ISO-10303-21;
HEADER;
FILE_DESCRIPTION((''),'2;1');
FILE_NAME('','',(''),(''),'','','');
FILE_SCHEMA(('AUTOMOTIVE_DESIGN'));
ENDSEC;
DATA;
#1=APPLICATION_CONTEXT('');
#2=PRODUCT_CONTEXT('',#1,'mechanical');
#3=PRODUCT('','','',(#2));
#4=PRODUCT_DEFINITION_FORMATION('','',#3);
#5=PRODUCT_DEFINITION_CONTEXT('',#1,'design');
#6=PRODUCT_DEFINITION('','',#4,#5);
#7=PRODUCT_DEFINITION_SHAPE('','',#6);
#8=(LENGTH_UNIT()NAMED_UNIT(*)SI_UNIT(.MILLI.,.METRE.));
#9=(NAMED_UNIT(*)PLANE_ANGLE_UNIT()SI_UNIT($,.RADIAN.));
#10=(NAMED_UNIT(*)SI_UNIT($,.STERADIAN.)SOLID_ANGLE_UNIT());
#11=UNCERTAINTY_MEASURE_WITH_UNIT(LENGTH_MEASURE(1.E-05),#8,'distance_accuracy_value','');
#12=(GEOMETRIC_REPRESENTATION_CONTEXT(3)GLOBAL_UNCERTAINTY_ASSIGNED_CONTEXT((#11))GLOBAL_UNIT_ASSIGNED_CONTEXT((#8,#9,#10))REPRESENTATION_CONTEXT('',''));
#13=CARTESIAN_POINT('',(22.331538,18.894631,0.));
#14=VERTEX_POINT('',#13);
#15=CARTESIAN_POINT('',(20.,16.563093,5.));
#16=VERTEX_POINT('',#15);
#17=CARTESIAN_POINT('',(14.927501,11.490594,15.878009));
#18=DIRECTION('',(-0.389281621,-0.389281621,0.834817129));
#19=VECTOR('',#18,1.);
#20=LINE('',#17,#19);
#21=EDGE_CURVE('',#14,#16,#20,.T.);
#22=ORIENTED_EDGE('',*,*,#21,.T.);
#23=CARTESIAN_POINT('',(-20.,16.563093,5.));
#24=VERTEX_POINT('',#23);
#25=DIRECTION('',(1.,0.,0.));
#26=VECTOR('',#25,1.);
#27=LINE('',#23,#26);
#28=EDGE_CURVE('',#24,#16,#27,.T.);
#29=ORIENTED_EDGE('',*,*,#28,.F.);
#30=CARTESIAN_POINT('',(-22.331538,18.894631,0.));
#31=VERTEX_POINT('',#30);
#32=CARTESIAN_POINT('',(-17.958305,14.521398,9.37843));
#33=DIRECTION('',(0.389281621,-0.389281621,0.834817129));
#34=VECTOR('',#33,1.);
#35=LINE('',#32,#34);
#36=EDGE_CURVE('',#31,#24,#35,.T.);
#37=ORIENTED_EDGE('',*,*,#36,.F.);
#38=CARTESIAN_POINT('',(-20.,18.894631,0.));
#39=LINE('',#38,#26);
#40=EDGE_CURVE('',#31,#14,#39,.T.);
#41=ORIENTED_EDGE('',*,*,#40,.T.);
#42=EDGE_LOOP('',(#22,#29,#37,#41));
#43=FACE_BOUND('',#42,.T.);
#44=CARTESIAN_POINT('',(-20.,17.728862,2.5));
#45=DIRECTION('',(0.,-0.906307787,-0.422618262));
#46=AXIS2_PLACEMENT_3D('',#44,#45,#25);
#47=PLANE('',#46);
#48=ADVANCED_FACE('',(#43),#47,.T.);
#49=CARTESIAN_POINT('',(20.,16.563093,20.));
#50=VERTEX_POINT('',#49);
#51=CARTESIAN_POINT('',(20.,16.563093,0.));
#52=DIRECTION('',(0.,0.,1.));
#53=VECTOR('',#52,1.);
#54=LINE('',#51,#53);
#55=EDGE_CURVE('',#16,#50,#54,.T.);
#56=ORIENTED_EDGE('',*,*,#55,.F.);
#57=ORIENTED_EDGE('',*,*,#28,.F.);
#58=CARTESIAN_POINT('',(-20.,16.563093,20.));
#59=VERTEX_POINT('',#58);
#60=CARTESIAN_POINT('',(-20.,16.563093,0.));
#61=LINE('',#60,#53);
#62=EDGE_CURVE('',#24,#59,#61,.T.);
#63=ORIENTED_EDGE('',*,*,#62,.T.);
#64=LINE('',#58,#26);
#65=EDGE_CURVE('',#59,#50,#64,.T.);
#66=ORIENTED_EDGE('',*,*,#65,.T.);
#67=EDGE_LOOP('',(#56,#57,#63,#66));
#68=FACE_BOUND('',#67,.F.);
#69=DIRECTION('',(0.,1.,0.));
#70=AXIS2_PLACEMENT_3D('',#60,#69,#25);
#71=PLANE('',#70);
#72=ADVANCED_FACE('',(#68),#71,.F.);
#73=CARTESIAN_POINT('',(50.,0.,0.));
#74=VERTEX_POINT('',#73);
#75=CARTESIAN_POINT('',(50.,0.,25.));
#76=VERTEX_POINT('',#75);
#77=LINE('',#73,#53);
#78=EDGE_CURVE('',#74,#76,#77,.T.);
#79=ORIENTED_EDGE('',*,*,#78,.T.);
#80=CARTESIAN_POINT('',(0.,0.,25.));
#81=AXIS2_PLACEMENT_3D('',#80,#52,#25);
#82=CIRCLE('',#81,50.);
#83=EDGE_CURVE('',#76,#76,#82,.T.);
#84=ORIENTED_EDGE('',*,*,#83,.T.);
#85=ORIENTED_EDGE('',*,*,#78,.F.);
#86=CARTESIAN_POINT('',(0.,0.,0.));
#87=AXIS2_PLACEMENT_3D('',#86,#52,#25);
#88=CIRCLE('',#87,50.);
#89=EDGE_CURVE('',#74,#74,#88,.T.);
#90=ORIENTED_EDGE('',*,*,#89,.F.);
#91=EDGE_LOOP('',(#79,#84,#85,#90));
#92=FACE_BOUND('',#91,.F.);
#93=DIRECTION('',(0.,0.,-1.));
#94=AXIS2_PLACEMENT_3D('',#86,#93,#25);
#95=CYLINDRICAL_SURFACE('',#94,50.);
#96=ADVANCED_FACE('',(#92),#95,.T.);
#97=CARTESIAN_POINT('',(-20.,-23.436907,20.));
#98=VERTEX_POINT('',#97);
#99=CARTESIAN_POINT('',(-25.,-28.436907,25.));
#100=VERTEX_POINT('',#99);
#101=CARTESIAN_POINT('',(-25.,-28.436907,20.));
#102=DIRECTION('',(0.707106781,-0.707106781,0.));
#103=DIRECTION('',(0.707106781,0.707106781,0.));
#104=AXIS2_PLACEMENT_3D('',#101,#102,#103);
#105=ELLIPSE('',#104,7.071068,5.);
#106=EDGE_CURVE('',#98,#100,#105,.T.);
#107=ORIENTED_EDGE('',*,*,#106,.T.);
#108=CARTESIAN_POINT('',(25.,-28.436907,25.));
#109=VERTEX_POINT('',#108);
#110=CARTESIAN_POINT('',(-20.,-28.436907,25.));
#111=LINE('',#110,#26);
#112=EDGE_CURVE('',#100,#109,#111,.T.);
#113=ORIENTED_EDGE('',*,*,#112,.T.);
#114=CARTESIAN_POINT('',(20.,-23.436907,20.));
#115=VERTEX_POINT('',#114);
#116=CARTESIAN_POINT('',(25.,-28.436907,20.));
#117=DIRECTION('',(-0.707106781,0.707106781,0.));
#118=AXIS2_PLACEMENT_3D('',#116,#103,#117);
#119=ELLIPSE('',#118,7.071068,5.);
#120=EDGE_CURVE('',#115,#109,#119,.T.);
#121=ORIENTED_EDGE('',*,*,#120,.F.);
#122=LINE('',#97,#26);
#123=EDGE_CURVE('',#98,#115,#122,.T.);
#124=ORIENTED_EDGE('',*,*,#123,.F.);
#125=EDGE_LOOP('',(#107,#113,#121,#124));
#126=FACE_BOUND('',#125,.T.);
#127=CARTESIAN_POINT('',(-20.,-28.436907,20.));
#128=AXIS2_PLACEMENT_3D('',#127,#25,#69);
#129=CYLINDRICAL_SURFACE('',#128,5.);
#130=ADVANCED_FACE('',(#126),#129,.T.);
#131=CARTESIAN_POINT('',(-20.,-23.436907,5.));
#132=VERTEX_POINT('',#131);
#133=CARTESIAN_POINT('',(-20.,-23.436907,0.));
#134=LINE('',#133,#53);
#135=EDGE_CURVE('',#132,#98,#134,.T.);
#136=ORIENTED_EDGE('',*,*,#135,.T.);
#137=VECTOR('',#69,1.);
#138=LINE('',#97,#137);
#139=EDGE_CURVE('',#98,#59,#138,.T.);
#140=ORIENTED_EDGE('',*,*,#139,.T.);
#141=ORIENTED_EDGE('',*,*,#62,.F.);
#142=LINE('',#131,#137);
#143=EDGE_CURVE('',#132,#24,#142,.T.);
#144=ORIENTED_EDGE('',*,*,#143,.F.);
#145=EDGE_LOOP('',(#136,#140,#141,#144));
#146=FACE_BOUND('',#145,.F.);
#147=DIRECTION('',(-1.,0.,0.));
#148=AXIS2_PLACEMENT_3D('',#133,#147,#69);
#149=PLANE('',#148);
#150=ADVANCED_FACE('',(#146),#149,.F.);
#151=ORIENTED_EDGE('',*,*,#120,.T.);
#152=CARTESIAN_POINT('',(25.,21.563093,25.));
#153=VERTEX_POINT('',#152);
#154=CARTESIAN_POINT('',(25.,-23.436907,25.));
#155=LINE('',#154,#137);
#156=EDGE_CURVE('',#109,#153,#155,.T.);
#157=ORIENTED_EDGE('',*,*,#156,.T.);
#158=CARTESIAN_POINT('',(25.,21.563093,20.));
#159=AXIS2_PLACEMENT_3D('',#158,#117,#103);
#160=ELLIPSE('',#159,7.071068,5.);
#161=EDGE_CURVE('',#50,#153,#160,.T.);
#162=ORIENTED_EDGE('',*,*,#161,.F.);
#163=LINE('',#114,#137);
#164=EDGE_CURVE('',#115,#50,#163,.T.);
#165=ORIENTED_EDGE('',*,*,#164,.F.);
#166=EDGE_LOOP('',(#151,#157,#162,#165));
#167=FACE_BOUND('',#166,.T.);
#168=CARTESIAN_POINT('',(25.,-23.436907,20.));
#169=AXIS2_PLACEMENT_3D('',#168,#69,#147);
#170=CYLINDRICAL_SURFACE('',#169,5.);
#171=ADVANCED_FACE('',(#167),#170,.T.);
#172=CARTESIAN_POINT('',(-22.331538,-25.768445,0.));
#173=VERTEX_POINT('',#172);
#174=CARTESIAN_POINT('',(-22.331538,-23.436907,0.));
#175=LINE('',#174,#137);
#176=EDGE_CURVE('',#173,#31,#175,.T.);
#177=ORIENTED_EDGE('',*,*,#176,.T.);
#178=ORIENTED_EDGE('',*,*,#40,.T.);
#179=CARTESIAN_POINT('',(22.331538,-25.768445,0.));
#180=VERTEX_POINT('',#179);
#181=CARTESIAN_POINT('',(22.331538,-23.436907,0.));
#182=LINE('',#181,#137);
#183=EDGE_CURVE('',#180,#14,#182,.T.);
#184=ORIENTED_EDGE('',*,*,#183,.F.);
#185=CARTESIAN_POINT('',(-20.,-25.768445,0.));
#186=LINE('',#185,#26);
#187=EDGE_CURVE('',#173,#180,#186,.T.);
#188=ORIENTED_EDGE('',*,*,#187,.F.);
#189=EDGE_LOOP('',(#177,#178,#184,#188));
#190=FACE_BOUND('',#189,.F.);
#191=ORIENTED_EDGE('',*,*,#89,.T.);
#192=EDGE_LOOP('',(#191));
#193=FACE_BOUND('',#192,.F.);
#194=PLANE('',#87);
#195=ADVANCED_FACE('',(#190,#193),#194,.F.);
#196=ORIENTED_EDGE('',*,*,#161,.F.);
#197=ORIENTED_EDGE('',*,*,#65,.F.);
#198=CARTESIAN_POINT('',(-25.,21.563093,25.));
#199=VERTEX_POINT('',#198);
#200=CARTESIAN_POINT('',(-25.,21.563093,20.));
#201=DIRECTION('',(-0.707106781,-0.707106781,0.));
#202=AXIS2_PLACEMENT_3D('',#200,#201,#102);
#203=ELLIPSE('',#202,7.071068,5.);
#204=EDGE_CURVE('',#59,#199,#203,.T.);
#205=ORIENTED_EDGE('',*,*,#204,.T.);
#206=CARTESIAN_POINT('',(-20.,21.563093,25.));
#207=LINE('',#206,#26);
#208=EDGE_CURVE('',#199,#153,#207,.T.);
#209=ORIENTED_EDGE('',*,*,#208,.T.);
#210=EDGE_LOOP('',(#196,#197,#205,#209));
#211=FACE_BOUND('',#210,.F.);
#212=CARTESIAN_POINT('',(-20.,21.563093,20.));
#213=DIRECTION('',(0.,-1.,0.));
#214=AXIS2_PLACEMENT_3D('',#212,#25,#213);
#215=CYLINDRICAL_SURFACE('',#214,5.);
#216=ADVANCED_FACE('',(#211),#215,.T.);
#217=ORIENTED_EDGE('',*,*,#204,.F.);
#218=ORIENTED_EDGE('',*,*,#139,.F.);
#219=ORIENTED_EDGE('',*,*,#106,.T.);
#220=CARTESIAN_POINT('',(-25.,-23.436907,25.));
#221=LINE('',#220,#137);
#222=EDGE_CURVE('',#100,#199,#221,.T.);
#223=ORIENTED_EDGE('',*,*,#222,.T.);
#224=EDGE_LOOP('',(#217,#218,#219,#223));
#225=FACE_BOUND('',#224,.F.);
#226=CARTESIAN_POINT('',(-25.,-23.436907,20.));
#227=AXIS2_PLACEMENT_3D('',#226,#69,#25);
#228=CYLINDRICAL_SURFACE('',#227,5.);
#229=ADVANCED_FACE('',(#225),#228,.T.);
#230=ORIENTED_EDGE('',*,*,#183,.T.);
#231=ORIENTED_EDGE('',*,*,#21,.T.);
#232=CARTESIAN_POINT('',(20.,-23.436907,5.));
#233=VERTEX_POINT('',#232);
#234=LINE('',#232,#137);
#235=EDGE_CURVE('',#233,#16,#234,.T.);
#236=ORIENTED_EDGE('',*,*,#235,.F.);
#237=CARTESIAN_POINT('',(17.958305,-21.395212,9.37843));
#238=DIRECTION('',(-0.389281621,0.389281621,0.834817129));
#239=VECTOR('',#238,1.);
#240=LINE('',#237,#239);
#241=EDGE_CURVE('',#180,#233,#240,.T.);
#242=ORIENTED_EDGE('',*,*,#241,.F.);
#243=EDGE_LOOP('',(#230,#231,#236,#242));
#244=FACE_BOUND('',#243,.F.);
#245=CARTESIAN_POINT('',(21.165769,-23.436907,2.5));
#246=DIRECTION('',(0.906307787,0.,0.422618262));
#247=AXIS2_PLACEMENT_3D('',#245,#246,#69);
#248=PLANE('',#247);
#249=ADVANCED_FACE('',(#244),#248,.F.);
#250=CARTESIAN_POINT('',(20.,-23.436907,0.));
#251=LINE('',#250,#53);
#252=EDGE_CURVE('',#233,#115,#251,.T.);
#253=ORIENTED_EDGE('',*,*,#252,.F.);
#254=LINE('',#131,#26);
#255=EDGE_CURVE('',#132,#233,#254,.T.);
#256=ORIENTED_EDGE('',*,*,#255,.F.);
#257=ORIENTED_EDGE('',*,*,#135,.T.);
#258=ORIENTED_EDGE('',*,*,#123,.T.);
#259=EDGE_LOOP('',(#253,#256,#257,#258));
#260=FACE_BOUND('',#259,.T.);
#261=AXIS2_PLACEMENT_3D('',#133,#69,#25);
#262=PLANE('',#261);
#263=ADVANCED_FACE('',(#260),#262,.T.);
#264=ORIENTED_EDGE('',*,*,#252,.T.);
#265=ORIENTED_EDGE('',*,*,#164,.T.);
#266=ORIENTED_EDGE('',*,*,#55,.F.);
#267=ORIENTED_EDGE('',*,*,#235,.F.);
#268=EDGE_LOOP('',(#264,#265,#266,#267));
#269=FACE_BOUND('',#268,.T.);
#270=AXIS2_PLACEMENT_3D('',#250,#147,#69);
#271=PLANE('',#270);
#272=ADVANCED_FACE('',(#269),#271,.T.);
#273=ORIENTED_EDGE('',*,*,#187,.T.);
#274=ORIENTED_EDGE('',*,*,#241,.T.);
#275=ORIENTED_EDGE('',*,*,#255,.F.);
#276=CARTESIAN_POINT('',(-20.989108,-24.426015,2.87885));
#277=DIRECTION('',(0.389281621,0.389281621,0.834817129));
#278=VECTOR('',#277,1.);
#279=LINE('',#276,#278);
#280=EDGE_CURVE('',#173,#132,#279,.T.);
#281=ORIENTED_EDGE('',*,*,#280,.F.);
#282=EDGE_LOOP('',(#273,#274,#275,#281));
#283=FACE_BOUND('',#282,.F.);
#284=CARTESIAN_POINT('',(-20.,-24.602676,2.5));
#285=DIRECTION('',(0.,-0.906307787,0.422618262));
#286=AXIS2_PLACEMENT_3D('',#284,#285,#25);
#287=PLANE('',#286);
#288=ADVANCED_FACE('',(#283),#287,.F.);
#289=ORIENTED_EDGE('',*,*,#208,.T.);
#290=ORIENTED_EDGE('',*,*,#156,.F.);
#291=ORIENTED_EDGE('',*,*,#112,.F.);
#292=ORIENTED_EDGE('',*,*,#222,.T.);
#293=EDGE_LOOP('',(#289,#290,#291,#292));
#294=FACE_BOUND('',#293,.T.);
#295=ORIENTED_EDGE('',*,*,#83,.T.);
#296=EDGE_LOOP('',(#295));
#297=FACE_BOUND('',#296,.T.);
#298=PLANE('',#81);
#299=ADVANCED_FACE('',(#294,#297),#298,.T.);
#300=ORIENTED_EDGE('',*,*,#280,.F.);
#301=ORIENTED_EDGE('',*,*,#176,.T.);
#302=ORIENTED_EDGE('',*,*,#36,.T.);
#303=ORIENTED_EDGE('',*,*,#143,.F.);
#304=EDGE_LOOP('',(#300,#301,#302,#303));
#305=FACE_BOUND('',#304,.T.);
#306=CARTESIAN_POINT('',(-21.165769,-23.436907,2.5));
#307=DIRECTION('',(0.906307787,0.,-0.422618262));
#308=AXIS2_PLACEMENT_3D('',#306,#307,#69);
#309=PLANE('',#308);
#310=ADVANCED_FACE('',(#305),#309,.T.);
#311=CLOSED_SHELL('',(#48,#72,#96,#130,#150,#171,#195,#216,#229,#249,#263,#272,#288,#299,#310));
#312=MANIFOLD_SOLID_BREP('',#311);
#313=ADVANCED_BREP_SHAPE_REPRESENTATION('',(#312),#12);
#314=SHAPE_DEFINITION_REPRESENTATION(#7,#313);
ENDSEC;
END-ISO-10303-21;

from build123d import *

# Parameters (mm, degrees)
F0_R     = 50
F0_W     = 40
F0_H     = 40
F1_DEPTH = 25
F2_R     = 5
F3_SIZE2 = 5
F3_SIZE  = 2.3315382908


with BuildPart() as f1:
    # F0 (on Top) → F1 (new body)
    with BuildSketch(Plane.XY):
        Circle(F0_R)
        with Locations((0, -3.4369069617)):
            Rectangle(F0_W, F0_H, mode=Mode.SUBTRACT)
    extrude(amount=F1_DEPTH)

    # F2
    f2_edges = [f1.edges().sort_by_distance(p)[0] for p in [
        (0, 16.563093, 25),
        (-20, -3.436907, 25),
        (20, -3.436907, 25),
        (0, -23.436907, 25),
    ]]
    fillet(f2_edges, radius=F2_R)

    # F3
    f3_edges = [f1.edges().sort_by_distance(p)[0] for p in [
        (0, -23.436907, 0),
        (-20, -3.436907, 0),
        (0, 16.563093, 0),
        (20, -3.436907, 0),
    ]]
    f3_side = f1.faces().sort_by_distance((-48.585786, 0, 0))[0]
    chamfer(f3_edges, length=F3_SIZE, length2=F3_SIZE2, reference=f3_side)


solid = f1.part
